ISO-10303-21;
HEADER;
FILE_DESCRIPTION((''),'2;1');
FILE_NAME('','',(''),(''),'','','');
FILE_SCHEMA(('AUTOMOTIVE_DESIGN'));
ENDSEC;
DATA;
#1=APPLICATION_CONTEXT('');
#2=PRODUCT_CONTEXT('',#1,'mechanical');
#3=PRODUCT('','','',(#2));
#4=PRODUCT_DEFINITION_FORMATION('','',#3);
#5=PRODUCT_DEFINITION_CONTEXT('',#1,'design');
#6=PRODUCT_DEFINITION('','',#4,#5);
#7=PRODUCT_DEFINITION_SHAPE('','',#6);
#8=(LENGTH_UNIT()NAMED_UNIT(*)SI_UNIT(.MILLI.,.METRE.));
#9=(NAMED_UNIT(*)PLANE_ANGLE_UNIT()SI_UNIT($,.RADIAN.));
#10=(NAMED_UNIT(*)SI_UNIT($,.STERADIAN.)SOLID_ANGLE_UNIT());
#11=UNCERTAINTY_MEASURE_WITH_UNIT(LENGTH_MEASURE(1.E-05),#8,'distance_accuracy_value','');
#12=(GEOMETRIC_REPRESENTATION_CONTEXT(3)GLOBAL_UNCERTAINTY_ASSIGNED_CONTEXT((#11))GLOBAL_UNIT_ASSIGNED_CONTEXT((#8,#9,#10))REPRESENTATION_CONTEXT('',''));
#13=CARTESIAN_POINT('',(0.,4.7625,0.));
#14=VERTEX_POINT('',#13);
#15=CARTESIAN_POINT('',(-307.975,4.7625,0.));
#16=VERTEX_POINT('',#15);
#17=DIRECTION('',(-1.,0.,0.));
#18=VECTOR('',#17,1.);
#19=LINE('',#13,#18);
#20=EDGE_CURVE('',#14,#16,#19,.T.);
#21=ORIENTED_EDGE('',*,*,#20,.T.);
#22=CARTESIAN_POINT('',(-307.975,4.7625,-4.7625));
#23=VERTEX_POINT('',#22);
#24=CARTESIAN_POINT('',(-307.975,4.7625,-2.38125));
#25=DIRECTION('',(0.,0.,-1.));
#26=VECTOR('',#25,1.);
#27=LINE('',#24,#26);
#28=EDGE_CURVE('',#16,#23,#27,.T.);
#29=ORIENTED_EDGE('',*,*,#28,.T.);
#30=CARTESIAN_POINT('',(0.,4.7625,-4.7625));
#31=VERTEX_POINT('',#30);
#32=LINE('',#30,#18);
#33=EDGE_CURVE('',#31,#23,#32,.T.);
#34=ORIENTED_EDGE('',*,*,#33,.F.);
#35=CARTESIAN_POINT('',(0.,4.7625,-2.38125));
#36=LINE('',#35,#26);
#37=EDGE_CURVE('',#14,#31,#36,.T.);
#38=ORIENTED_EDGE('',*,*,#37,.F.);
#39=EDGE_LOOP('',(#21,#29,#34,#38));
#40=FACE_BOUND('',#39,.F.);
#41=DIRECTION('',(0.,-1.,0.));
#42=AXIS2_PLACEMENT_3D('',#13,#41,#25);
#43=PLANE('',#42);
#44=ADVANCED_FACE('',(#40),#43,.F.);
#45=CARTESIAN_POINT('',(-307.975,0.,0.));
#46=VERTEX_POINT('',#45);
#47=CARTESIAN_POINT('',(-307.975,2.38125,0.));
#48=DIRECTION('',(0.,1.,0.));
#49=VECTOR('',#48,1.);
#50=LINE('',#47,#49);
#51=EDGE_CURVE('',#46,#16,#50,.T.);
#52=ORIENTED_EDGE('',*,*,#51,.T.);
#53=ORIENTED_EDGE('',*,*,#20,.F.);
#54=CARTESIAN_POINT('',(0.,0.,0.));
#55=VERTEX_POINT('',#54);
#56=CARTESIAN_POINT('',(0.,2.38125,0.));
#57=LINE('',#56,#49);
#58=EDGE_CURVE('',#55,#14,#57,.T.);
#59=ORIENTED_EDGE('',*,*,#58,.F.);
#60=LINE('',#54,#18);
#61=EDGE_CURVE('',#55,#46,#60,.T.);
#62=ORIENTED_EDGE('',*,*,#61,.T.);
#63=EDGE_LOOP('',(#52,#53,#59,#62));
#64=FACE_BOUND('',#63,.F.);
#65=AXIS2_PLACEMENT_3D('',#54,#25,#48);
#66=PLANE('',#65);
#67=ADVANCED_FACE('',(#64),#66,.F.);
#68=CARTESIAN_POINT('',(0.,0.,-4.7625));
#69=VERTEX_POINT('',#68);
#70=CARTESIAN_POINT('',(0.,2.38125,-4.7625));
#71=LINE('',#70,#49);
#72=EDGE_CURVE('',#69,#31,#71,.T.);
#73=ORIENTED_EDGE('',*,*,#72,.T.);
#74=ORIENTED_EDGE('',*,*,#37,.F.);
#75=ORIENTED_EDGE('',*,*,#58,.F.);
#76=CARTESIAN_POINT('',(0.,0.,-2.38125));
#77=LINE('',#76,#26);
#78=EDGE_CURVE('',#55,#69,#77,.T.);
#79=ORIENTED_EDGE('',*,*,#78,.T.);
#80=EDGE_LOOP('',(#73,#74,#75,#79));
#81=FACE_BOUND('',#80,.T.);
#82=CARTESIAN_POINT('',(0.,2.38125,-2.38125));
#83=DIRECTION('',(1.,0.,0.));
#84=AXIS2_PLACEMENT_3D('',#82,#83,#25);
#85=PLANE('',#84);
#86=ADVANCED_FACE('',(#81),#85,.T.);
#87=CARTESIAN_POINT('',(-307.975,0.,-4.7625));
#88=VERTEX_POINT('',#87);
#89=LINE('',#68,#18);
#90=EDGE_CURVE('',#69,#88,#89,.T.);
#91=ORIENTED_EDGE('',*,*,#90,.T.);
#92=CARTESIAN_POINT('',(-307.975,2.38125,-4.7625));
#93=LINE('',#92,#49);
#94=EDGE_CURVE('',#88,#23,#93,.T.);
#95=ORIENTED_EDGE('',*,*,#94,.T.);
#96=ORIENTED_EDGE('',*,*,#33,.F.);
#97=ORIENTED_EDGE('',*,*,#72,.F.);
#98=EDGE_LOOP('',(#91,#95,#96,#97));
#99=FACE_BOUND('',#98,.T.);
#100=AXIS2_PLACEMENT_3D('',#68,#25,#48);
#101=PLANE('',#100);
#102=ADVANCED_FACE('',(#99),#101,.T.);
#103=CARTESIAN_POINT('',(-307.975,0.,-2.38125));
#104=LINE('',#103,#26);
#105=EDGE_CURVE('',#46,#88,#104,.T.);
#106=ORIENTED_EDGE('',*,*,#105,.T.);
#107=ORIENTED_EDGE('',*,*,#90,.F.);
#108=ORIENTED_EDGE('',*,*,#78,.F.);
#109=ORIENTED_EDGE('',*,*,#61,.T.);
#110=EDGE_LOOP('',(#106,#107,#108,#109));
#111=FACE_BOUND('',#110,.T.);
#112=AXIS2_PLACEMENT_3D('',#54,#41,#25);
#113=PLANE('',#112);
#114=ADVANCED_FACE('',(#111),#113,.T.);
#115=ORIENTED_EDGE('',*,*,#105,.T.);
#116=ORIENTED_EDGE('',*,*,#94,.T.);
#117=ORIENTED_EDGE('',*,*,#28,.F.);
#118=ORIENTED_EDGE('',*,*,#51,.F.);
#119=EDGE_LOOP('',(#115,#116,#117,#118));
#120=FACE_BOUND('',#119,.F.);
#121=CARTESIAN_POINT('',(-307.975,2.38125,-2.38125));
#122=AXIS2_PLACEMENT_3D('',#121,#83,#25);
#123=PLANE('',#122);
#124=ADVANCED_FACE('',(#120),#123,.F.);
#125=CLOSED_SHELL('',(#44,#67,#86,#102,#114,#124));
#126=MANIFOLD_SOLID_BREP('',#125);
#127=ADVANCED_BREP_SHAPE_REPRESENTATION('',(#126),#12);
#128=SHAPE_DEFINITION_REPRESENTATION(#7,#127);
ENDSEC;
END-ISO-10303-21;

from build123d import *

# Parameters (mm, degrees)
SKETCH1_W           = 4.7625
SKETCH1_H           = 4.7625
BOSS_EXTRUDE1_DEPTH = 307.975


with BuildPart() as part:
    # Sketch1 → Boss-Extrude1 (new body)
    with BuildSketch(Plane(origin=(0, 0, 0), x_dir=(0, 0, -1), z_dir=(1, 0, 0))):
        with Locations((2.38125, 2.38125)):
            Rectangle(SKETCH1_W, SKETCH1_H)
    extrude(amount=-BOSS_EXTRUDE1_DEPTH)


solid = part.part
